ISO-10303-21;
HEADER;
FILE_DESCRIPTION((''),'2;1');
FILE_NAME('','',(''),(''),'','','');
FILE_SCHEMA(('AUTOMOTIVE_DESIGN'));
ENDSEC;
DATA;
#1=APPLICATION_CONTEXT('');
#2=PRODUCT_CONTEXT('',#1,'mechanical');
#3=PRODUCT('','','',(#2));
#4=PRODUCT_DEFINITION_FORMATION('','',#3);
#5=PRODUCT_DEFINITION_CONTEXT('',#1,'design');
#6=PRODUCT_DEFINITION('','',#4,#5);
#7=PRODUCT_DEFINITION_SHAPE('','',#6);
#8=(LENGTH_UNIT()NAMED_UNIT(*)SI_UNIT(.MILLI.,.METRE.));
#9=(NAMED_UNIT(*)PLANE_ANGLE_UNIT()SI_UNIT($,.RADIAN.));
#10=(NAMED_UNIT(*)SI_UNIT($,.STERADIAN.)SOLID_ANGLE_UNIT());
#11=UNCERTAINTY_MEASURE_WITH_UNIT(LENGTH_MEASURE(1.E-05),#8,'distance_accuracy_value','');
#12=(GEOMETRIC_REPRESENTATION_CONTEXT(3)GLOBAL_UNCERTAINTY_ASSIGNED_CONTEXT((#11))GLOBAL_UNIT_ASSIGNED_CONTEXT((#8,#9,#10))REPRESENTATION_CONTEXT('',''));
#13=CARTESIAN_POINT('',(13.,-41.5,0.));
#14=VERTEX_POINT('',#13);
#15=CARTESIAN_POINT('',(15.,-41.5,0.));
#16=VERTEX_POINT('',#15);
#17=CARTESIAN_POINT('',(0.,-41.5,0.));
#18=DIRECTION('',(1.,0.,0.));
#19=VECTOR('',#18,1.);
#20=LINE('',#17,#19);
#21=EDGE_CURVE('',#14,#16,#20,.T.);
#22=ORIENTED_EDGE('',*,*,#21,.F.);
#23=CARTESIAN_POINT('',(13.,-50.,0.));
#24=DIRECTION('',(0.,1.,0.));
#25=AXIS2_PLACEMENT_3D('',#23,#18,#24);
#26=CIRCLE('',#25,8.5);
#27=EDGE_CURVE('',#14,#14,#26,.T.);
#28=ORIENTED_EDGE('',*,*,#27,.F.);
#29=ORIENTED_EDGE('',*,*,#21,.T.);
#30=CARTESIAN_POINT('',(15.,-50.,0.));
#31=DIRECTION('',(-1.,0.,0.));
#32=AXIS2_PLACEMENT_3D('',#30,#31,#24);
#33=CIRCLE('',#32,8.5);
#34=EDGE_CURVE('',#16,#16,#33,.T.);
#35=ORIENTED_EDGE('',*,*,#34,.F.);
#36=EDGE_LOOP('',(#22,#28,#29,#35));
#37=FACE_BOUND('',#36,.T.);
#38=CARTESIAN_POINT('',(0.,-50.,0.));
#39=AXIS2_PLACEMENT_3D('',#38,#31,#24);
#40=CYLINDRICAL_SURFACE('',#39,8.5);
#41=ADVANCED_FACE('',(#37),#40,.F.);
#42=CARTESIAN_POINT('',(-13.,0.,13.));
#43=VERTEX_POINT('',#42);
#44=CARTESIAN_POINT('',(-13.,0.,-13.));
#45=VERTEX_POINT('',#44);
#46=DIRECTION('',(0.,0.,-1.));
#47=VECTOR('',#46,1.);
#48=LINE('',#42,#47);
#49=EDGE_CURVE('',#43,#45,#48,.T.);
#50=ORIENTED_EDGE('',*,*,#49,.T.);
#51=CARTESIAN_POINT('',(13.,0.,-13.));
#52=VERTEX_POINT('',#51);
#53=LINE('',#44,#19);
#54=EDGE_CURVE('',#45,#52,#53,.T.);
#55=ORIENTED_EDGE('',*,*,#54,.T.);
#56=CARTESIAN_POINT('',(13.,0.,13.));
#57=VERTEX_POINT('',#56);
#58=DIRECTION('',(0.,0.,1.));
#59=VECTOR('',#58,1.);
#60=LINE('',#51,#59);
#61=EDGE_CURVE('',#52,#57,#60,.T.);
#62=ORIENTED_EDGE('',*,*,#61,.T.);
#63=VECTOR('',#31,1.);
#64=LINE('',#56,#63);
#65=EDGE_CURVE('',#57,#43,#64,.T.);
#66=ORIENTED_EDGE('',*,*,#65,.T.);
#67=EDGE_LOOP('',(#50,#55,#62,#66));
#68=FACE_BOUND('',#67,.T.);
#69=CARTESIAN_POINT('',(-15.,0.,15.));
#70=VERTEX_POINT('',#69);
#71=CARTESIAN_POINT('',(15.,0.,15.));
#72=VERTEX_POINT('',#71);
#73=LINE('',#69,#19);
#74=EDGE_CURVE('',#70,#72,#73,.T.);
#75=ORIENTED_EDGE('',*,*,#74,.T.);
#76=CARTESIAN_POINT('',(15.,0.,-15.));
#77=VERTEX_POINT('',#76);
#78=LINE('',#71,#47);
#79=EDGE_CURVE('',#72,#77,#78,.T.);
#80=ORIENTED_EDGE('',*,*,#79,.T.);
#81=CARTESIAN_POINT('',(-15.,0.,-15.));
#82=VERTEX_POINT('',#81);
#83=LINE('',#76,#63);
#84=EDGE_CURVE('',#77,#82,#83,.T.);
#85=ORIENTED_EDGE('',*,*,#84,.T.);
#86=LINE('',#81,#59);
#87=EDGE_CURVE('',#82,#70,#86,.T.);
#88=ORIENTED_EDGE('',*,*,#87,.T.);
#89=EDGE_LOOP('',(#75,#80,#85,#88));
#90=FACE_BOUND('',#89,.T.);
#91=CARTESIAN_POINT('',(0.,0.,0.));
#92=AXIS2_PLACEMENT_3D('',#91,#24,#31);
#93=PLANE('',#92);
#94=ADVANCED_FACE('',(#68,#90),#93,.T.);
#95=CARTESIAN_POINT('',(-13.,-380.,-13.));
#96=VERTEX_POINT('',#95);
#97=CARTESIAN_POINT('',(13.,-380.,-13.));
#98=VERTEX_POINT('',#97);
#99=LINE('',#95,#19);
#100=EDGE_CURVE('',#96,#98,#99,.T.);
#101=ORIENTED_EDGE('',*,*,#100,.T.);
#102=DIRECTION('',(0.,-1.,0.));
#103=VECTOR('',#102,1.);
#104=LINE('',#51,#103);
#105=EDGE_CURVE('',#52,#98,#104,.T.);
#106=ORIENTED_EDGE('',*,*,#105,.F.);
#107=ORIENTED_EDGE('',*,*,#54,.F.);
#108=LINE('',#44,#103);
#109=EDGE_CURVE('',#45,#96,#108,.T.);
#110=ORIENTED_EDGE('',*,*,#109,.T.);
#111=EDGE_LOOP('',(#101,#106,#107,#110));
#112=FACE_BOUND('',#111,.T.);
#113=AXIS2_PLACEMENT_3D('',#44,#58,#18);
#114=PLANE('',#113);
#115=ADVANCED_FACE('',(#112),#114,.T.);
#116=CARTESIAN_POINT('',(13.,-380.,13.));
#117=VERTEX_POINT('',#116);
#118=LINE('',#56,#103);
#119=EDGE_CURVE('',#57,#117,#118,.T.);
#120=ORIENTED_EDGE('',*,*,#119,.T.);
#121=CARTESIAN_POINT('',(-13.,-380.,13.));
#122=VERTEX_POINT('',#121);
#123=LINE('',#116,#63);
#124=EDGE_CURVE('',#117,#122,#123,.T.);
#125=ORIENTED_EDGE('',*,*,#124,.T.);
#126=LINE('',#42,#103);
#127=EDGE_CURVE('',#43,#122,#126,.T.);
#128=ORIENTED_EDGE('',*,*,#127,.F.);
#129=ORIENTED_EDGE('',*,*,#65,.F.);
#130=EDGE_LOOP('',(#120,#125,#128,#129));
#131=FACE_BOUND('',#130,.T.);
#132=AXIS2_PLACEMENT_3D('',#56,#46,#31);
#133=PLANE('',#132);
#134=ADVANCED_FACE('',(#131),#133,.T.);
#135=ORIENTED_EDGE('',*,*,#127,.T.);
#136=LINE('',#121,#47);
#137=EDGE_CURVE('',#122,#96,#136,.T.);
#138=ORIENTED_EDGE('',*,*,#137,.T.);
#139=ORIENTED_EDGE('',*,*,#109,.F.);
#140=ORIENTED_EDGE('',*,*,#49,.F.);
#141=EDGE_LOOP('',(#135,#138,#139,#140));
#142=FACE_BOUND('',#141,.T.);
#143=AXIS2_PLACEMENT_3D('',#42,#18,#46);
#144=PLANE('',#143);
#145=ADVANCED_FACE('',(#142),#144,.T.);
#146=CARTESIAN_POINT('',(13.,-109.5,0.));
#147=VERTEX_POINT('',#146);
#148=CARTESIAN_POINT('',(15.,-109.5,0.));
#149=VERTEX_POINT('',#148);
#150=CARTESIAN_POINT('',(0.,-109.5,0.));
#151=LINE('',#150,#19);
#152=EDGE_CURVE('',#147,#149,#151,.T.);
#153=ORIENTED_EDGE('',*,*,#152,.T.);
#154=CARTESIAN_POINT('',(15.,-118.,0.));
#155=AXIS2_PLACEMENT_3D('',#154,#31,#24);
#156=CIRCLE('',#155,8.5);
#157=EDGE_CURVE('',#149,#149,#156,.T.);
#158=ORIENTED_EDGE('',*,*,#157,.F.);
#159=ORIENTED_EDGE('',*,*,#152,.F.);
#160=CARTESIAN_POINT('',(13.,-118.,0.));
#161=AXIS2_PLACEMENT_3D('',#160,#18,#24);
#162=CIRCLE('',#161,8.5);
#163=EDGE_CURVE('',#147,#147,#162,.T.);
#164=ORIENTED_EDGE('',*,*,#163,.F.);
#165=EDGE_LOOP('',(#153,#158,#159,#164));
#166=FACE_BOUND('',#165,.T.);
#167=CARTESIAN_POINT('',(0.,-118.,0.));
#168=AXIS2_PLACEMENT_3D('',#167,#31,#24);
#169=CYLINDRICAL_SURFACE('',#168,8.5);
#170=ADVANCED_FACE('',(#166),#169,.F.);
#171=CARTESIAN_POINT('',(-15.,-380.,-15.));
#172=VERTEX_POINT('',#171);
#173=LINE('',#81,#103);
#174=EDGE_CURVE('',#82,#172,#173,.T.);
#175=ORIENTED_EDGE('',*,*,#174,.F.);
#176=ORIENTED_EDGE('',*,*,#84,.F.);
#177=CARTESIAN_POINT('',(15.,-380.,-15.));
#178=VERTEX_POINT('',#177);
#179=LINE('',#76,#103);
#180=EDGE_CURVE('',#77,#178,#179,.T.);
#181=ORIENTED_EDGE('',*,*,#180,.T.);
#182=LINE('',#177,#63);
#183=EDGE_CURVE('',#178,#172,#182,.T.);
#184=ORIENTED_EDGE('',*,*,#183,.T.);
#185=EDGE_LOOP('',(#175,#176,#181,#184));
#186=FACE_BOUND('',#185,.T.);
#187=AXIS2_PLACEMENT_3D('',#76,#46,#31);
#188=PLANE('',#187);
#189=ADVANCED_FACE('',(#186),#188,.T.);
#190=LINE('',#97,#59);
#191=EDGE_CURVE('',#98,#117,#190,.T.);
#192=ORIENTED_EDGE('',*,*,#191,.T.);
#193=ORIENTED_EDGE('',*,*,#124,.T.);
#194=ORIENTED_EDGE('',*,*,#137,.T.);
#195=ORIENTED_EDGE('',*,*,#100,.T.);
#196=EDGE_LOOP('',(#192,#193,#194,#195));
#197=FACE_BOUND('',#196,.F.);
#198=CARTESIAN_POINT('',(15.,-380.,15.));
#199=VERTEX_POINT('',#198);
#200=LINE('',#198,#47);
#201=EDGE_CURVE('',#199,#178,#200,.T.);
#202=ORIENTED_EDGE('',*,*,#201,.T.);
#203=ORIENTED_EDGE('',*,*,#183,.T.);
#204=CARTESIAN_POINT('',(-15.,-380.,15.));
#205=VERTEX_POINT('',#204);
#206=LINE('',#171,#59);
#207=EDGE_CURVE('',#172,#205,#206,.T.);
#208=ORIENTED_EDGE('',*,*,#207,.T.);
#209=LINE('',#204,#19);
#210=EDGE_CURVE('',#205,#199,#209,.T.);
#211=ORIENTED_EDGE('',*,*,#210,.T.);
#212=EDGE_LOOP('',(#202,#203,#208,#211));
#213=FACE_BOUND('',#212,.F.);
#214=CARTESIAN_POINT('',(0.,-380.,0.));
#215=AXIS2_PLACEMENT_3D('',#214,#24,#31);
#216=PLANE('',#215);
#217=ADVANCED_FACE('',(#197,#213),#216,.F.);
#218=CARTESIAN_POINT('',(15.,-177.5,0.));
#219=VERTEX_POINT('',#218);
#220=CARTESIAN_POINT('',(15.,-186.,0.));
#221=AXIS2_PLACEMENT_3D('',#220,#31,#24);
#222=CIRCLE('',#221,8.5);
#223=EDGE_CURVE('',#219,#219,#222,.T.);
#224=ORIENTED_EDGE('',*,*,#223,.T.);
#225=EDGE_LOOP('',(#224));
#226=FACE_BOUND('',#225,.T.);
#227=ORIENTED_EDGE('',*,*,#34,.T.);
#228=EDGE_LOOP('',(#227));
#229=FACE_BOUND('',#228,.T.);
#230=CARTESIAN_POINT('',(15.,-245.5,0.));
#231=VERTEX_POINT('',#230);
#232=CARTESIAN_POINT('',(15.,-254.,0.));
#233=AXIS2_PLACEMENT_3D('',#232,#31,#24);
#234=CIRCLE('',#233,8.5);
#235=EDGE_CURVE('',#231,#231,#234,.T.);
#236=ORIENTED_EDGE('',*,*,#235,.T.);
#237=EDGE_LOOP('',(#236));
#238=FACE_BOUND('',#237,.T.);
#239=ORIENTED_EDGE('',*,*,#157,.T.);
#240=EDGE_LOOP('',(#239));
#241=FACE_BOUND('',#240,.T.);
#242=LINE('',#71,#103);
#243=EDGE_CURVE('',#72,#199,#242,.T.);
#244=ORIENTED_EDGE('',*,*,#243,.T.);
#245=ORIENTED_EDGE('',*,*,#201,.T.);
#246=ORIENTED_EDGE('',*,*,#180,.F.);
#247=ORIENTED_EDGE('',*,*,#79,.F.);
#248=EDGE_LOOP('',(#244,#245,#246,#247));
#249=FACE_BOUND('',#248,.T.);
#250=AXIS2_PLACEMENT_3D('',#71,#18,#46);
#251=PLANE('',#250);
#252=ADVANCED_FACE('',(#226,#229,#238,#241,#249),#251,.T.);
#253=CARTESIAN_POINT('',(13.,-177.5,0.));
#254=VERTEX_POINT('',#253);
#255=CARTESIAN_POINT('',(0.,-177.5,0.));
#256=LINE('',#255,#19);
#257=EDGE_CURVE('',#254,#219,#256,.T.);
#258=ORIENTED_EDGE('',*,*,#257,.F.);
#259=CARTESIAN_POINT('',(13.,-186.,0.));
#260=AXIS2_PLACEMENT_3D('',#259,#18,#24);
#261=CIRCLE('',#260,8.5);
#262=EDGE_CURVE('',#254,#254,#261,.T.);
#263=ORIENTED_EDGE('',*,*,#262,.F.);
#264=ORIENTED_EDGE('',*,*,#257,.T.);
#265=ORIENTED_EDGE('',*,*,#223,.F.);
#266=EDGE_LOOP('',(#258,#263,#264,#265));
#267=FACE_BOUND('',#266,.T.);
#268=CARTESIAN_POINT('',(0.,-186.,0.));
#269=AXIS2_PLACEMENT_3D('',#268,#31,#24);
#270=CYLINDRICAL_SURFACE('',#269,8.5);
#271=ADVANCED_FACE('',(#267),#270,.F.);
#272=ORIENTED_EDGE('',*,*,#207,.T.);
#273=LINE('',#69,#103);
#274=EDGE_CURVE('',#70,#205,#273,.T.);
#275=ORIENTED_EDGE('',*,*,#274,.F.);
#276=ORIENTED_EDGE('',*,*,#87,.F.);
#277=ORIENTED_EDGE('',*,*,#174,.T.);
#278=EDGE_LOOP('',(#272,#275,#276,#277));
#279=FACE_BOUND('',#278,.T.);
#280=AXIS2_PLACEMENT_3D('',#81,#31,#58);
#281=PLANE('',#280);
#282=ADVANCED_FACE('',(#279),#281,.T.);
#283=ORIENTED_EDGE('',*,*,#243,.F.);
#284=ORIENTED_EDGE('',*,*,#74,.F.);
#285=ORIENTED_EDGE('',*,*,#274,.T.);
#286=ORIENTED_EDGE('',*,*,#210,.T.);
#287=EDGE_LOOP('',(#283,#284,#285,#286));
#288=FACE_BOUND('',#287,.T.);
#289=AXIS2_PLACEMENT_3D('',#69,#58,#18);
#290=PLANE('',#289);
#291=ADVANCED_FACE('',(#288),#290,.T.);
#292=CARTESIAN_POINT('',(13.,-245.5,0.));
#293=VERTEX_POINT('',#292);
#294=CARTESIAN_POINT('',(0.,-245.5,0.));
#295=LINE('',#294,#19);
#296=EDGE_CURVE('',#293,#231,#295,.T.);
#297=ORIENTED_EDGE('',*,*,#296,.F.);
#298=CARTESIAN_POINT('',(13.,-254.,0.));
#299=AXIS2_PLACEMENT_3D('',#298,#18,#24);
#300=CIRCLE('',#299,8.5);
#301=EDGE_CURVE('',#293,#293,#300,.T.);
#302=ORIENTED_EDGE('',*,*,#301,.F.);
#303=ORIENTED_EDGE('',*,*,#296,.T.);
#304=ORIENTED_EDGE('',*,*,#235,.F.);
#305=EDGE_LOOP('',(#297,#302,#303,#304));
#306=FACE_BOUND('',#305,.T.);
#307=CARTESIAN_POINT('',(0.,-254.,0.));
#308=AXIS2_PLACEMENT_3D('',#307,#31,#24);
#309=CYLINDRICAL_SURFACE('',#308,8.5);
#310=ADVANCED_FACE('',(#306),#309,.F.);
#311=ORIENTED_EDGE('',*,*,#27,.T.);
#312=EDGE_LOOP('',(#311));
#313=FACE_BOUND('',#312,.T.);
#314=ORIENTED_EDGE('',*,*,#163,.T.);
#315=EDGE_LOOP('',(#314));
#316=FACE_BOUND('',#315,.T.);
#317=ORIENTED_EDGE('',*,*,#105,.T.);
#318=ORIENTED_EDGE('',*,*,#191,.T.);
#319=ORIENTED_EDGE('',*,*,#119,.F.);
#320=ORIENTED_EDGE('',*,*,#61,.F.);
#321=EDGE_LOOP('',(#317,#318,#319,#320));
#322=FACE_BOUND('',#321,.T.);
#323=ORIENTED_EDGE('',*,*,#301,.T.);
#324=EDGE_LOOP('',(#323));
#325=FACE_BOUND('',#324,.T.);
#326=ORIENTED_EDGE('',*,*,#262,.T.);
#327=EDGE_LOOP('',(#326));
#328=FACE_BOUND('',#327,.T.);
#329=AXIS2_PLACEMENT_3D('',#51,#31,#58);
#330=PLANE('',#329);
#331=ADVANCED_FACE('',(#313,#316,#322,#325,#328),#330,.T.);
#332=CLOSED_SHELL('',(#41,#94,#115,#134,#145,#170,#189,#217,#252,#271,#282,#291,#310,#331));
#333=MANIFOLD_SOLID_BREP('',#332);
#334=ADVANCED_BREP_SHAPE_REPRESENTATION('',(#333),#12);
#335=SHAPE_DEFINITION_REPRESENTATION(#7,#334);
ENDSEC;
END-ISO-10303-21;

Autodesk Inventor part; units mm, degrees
ref_plane "YZ Plane" through (0, 0, 0) normal (1, 0, 0) x (0, 1, 0)
ref_plane "XZ Plane" through (0, 0, 0) normal (0, 1, 0) x (-1, 0, 0)
ref_plane "XY Plane" through (0, 0, 0) normal (0, 0, 1) x (1, 0, 0)
sketch "Sketch9" plane through (0, 0, 0) normal (0, 1, 0) x (-1, 0, 0)
  line L0 (15, 15) -> (-15, 15)
  line L1 (-15, 15) -> (-15, -15)
  line L2 (-15, -15) -> (15, -15)
  line L3 (15, -15) -> (15, 15)
  line L4 (15, 15) -> (-15, -15) construction
  line L5 (-15, 15) -> (15, -15) construction
  line L6 (-13, 13) -> (13, 13)
  line L7 (13, 13) -> (13, -13)
  line L8 (13, -13) -> (-13, -13)
  line L9 (-13, -13) -> (-13, 13)
  point P0 (0, 0)
  dimension "d172" = 30
  dimension "d173" = 30
  dimension "d174" = 2
extrude "Extrusion3" add sketch "Sketch9" against normal blind 380
sketch "Sketch10" plane through (0, 0, 0) normal (1, 0, 0) x (0, 1, 0)
  line L0 (0, 15) -> (0, -15) construction
  line L1 (0, 15) -> (-380, 15) construction
  line L2 (0, -15) -> (-380, -15) construction
  line L3 (-58.5, 8.5) -> (-41.5, 8.5)
  line L4 (-41.5, 8.5) -> (-41.5, -8.5)
  line L5 (-41.5, -8.5) -> (-58.5, -8.5)
  line L6 (-58.5, -8.5) -> (-58.5, 8.5)
  line L7 (-58.5, 8.5) -> (-41.5, -8.5) construction
  line L8 (-41.5, 8.5) -> (-58.5, -8.5) construction
  line L9 (0, 0) -> (30, 0)
  circle A0 centre (-50, 0) radius 8.5
  dimension "d177" = 17
  dimension "d178" = 17
  dimension "d181" = 30
  dimension "d182" = 80
extrude "Extrusion4" cut sketch "Sketch10" along normal through all contours A0
pattern_linear "Rectangular Pattern4" count 4 spacing 68 along (0, -1, 0) of "Extrusion4"
properties part number "PRS 1662 DrSysB way tube 4_D1200" material "Stainless Steel"
